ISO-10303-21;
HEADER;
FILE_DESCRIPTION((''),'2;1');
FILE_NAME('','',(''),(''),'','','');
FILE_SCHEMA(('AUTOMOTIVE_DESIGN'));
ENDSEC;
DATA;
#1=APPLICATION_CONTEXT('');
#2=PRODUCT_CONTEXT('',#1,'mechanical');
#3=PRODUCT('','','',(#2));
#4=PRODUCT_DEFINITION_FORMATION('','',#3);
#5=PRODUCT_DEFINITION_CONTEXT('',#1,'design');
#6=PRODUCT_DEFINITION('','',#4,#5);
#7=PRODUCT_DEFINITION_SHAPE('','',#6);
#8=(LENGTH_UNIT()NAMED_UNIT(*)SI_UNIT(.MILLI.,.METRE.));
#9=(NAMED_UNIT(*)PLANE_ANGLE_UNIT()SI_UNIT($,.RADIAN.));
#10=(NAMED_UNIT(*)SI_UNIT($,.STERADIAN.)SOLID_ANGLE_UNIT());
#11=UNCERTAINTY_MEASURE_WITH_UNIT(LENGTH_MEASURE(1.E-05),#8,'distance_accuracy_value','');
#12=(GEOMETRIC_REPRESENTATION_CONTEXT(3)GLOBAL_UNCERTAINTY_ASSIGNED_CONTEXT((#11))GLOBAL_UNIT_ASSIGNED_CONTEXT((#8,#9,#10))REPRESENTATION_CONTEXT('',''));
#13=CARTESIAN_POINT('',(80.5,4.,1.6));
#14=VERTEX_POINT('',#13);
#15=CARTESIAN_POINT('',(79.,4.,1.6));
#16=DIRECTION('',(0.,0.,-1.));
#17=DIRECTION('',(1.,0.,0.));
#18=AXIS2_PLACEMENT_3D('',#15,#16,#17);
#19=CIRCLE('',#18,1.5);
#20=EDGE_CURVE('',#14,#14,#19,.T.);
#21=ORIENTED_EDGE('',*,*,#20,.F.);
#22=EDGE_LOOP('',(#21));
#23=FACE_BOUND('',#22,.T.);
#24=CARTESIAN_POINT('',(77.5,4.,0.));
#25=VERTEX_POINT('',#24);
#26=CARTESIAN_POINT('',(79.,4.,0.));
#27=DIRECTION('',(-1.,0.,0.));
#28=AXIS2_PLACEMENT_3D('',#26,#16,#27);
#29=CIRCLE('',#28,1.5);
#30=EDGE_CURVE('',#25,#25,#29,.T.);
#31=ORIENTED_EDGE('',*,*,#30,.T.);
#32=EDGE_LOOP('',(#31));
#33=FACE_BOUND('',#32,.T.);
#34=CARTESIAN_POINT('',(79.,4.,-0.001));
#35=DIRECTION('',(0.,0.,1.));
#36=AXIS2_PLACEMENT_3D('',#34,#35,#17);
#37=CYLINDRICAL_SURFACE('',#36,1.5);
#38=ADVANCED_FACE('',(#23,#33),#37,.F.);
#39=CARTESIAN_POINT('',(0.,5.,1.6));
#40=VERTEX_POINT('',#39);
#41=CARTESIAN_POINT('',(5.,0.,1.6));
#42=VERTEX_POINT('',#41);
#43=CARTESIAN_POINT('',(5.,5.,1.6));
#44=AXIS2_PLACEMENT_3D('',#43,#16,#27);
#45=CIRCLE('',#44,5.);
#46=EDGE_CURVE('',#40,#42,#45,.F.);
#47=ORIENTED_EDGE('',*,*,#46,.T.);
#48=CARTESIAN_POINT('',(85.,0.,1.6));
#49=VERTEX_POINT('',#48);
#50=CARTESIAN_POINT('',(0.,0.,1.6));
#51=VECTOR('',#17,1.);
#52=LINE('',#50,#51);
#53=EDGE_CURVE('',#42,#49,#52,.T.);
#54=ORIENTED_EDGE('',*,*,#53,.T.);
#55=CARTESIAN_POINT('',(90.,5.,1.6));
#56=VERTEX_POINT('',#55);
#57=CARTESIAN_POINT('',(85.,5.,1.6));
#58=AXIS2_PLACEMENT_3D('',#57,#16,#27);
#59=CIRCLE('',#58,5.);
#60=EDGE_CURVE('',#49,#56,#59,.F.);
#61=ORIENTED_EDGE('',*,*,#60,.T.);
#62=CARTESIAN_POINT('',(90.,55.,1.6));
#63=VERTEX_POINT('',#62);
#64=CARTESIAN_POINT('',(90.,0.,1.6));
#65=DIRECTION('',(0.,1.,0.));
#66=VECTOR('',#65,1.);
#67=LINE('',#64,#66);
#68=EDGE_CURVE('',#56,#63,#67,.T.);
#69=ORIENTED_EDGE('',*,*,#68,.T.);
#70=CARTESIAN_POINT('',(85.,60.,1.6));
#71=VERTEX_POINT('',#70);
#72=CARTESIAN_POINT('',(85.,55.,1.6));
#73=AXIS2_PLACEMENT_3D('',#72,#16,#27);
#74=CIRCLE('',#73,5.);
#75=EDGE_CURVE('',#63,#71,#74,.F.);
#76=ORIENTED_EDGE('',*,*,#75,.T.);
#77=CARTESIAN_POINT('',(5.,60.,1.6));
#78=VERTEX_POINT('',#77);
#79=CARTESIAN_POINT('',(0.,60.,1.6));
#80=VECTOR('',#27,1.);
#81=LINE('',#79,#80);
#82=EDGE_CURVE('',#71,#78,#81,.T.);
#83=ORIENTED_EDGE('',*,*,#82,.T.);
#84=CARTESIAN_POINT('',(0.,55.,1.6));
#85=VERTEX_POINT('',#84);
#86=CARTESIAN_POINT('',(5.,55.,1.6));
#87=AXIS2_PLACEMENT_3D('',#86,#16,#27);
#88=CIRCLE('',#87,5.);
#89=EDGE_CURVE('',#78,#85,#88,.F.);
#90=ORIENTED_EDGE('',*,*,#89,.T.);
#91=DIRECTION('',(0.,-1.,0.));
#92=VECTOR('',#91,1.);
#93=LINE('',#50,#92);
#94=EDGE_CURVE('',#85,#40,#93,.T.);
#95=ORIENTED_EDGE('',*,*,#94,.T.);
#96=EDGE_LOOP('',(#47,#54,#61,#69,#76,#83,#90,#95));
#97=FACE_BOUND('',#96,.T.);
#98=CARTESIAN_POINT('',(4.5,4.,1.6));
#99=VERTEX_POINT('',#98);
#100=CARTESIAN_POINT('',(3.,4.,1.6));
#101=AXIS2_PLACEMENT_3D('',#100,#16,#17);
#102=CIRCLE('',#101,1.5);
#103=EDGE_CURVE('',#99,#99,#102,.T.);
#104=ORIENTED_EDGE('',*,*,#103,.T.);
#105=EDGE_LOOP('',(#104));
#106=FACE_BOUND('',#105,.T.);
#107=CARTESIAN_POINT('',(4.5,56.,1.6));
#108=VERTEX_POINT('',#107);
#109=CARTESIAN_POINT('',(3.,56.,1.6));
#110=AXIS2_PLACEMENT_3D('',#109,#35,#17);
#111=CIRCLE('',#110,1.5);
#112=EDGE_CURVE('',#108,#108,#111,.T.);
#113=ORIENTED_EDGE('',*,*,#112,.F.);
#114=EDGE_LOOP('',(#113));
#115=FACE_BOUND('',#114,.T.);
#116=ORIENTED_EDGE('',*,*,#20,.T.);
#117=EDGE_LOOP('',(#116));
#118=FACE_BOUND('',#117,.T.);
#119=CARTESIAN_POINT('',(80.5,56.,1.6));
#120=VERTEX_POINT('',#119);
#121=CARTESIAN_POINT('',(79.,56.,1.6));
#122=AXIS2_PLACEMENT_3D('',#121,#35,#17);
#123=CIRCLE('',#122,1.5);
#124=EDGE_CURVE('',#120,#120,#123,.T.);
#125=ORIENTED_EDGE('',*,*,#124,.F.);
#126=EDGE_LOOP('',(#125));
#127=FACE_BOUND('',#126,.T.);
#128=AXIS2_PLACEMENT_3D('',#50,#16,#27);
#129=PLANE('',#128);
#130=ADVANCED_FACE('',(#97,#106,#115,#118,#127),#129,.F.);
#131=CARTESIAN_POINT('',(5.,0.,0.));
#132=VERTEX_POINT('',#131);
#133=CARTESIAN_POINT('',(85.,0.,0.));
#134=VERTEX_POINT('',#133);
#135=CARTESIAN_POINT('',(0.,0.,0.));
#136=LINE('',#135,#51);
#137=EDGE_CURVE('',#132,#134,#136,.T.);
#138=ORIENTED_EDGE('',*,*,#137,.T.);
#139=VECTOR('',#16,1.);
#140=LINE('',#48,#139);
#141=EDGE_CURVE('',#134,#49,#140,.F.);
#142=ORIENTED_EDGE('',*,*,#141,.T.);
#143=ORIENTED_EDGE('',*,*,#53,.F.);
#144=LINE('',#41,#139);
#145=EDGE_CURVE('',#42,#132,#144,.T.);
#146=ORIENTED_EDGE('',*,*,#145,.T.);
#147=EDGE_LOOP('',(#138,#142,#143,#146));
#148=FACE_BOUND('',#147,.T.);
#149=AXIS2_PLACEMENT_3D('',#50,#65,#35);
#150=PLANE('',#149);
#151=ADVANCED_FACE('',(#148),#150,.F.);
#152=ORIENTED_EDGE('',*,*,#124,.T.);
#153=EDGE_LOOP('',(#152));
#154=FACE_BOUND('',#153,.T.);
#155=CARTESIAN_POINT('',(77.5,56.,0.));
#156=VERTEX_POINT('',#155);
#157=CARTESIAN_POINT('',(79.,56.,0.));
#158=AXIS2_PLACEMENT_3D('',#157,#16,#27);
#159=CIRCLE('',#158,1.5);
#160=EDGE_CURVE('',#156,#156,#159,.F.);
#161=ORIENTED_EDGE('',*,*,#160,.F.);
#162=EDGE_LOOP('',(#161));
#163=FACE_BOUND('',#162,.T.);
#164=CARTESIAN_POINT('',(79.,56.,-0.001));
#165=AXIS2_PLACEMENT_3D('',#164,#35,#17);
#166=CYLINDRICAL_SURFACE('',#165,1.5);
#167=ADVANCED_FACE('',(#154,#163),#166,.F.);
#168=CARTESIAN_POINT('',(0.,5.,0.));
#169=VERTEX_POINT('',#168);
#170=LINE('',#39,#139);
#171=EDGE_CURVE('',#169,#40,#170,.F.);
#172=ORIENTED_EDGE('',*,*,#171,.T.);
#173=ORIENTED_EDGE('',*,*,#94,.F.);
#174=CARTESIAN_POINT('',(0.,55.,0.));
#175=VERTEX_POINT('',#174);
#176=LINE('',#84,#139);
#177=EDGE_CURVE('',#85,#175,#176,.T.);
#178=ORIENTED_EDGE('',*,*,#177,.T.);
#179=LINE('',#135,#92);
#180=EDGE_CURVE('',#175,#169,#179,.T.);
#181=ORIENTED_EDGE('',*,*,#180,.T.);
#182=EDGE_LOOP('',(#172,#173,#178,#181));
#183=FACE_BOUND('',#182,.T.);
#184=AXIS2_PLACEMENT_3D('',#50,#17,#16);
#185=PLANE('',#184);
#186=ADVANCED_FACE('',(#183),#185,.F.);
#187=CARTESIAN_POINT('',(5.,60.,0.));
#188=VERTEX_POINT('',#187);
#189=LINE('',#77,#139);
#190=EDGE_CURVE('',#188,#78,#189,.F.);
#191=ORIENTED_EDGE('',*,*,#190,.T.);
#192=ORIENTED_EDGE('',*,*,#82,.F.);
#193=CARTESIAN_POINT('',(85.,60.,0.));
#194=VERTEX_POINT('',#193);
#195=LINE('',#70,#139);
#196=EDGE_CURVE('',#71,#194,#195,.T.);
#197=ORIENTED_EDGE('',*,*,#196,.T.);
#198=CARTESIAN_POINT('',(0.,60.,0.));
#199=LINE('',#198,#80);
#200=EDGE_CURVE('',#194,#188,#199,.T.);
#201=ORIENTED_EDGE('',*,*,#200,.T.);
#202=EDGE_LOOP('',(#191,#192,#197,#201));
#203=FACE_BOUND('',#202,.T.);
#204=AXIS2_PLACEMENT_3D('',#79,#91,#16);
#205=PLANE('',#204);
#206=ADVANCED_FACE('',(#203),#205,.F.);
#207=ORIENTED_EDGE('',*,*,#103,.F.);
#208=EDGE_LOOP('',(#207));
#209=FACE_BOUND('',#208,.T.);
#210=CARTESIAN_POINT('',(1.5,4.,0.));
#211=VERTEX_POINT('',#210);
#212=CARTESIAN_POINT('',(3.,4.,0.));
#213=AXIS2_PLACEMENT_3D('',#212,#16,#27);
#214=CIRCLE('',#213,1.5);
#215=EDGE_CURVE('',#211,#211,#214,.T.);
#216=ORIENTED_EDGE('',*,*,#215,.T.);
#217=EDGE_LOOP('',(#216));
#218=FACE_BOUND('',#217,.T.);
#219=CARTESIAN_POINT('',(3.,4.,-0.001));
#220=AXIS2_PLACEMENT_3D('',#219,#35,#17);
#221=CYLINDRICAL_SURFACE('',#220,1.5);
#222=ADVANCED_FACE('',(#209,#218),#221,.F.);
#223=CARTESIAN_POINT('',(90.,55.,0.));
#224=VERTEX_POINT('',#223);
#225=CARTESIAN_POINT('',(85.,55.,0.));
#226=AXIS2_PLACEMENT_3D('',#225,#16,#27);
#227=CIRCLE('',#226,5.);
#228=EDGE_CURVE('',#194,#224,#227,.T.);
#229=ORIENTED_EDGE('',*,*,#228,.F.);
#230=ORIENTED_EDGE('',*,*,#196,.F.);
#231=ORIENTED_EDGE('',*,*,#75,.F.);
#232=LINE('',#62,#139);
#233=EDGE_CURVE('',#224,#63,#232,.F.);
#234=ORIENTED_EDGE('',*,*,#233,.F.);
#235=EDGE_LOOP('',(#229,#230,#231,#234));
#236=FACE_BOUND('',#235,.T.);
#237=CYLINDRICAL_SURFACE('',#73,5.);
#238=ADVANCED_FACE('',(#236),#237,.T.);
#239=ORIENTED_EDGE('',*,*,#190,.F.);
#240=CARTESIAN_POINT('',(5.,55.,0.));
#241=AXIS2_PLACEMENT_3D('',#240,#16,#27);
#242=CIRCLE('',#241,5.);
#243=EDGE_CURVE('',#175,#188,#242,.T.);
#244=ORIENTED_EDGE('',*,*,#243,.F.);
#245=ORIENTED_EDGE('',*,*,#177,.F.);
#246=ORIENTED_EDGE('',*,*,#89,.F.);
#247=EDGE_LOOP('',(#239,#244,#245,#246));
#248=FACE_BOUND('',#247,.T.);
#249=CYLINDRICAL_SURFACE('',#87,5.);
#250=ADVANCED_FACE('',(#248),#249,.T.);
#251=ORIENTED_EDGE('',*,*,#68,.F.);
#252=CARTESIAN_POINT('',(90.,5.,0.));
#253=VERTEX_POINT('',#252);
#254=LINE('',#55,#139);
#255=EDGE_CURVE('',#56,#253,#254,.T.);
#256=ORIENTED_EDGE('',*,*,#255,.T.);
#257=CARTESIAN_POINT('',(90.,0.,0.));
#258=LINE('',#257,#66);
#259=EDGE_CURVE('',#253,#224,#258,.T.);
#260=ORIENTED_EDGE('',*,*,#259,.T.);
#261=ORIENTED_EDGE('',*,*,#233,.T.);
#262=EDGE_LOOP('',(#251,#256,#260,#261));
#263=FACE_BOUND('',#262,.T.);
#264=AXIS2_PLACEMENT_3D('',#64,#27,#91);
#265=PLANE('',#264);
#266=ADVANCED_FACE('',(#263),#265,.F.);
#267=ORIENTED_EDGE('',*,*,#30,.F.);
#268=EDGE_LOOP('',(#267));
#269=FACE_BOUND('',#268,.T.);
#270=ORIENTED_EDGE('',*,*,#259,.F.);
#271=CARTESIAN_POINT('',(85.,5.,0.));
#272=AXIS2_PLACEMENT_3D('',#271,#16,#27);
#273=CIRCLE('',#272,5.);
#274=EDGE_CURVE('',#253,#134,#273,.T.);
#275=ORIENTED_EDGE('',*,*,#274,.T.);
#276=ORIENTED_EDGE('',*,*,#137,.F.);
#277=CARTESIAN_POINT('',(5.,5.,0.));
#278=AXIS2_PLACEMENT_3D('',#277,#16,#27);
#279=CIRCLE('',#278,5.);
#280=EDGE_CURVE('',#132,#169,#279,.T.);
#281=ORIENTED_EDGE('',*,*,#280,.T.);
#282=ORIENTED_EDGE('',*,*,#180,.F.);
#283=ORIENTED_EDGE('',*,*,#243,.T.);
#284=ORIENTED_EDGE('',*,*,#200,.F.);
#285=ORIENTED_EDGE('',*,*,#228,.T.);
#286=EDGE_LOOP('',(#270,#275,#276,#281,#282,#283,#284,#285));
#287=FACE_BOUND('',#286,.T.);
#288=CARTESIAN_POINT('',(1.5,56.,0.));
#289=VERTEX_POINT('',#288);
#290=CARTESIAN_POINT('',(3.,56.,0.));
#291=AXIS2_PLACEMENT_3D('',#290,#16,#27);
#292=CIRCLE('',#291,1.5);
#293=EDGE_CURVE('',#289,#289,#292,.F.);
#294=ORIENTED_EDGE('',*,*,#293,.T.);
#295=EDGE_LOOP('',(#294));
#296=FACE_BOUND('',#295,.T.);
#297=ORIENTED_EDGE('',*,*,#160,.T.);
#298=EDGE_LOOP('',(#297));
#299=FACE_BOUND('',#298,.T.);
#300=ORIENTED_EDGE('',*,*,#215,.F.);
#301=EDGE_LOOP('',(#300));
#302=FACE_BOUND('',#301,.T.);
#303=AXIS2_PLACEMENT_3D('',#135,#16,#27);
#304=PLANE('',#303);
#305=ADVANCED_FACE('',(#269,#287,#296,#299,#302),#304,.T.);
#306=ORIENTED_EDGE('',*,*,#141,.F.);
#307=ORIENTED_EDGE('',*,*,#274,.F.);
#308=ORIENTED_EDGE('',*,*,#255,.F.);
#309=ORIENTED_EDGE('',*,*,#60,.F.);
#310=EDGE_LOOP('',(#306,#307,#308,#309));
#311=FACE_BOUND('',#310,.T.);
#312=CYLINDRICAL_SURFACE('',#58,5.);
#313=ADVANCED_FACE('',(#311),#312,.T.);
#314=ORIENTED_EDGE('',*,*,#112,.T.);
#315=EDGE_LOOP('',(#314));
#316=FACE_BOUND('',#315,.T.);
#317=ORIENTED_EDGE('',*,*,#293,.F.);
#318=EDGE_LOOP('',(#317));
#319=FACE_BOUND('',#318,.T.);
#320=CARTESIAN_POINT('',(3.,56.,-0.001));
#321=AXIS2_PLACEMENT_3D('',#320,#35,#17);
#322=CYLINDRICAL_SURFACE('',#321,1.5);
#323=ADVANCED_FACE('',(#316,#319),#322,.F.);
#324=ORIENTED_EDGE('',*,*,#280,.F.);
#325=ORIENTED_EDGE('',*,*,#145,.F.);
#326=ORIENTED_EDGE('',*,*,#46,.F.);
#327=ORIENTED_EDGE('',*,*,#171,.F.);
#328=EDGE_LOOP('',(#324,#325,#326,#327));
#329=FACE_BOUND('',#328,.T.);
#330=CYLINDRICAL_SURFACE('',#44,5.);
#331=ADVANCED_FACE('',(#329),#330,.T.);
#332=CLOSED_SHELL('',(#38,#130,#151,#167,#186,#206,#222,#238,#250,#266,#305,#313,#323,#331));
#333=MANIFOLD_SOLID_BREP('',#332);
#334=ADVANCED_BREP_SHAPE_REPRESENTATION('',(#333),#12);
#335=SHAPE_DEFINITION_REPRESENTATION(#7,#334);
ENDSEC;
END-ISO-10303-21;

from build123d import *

# Parameters (mm, degrees)
SKETCH1_W           = 90
SKETCH1_H           = 60
BOSS_EXTRUDE1_DEPTH = 1.6
FILLET1_R           = 5
SKETCH2_R           = 1.5
CUT_EXTRUDE1_DEPTH  = 1.6


with BuildPart() as part:
    # Sketch1 → Boss-Extrude1 (new body)
    with BuildSketch(Plane.XY):
        with Locations((45, 30)):
            Rectangle(SKETCH1_W, SKETCH1_H)
    extrude(amount=BOSS_EXTRUDE1_DEPTH)

    # Fillet1
    fillet1_edges = [part.edges().sort_by_distance(p)[0] for p in [
        (0, 60, 0.8),
        (90, 60, 0.8),
        (90, 0, 0.8),
        (0, 0, 0.8),
    ]]
    fillet(fillet1_edges, radius=FILLET1_R)

    # Sketch2 → Cut-Extrude1 (cut)
    with BuildSketch(Plane.XY.offset(1.6)):
        with Locations((79, 56)):
            Circle(SKETCH2_R)
        with Locations((3, 56)):
            Circle(SKETCH2_R)
    cut_extrude1 = extrude(amount=-CUT_EXTRUDE1_DEPTH, mode=Mode.SUBTRACT)

    # Mirror1: Cut-Extrude1 across plane
    add(cut_extrude1.mirror(Plane(origin=(0, 30, 0), x_dir=(0, 0, 1), z_dir=(0, -1, 0))), mode=Mode.SUBTRACT)


solid = part.part
